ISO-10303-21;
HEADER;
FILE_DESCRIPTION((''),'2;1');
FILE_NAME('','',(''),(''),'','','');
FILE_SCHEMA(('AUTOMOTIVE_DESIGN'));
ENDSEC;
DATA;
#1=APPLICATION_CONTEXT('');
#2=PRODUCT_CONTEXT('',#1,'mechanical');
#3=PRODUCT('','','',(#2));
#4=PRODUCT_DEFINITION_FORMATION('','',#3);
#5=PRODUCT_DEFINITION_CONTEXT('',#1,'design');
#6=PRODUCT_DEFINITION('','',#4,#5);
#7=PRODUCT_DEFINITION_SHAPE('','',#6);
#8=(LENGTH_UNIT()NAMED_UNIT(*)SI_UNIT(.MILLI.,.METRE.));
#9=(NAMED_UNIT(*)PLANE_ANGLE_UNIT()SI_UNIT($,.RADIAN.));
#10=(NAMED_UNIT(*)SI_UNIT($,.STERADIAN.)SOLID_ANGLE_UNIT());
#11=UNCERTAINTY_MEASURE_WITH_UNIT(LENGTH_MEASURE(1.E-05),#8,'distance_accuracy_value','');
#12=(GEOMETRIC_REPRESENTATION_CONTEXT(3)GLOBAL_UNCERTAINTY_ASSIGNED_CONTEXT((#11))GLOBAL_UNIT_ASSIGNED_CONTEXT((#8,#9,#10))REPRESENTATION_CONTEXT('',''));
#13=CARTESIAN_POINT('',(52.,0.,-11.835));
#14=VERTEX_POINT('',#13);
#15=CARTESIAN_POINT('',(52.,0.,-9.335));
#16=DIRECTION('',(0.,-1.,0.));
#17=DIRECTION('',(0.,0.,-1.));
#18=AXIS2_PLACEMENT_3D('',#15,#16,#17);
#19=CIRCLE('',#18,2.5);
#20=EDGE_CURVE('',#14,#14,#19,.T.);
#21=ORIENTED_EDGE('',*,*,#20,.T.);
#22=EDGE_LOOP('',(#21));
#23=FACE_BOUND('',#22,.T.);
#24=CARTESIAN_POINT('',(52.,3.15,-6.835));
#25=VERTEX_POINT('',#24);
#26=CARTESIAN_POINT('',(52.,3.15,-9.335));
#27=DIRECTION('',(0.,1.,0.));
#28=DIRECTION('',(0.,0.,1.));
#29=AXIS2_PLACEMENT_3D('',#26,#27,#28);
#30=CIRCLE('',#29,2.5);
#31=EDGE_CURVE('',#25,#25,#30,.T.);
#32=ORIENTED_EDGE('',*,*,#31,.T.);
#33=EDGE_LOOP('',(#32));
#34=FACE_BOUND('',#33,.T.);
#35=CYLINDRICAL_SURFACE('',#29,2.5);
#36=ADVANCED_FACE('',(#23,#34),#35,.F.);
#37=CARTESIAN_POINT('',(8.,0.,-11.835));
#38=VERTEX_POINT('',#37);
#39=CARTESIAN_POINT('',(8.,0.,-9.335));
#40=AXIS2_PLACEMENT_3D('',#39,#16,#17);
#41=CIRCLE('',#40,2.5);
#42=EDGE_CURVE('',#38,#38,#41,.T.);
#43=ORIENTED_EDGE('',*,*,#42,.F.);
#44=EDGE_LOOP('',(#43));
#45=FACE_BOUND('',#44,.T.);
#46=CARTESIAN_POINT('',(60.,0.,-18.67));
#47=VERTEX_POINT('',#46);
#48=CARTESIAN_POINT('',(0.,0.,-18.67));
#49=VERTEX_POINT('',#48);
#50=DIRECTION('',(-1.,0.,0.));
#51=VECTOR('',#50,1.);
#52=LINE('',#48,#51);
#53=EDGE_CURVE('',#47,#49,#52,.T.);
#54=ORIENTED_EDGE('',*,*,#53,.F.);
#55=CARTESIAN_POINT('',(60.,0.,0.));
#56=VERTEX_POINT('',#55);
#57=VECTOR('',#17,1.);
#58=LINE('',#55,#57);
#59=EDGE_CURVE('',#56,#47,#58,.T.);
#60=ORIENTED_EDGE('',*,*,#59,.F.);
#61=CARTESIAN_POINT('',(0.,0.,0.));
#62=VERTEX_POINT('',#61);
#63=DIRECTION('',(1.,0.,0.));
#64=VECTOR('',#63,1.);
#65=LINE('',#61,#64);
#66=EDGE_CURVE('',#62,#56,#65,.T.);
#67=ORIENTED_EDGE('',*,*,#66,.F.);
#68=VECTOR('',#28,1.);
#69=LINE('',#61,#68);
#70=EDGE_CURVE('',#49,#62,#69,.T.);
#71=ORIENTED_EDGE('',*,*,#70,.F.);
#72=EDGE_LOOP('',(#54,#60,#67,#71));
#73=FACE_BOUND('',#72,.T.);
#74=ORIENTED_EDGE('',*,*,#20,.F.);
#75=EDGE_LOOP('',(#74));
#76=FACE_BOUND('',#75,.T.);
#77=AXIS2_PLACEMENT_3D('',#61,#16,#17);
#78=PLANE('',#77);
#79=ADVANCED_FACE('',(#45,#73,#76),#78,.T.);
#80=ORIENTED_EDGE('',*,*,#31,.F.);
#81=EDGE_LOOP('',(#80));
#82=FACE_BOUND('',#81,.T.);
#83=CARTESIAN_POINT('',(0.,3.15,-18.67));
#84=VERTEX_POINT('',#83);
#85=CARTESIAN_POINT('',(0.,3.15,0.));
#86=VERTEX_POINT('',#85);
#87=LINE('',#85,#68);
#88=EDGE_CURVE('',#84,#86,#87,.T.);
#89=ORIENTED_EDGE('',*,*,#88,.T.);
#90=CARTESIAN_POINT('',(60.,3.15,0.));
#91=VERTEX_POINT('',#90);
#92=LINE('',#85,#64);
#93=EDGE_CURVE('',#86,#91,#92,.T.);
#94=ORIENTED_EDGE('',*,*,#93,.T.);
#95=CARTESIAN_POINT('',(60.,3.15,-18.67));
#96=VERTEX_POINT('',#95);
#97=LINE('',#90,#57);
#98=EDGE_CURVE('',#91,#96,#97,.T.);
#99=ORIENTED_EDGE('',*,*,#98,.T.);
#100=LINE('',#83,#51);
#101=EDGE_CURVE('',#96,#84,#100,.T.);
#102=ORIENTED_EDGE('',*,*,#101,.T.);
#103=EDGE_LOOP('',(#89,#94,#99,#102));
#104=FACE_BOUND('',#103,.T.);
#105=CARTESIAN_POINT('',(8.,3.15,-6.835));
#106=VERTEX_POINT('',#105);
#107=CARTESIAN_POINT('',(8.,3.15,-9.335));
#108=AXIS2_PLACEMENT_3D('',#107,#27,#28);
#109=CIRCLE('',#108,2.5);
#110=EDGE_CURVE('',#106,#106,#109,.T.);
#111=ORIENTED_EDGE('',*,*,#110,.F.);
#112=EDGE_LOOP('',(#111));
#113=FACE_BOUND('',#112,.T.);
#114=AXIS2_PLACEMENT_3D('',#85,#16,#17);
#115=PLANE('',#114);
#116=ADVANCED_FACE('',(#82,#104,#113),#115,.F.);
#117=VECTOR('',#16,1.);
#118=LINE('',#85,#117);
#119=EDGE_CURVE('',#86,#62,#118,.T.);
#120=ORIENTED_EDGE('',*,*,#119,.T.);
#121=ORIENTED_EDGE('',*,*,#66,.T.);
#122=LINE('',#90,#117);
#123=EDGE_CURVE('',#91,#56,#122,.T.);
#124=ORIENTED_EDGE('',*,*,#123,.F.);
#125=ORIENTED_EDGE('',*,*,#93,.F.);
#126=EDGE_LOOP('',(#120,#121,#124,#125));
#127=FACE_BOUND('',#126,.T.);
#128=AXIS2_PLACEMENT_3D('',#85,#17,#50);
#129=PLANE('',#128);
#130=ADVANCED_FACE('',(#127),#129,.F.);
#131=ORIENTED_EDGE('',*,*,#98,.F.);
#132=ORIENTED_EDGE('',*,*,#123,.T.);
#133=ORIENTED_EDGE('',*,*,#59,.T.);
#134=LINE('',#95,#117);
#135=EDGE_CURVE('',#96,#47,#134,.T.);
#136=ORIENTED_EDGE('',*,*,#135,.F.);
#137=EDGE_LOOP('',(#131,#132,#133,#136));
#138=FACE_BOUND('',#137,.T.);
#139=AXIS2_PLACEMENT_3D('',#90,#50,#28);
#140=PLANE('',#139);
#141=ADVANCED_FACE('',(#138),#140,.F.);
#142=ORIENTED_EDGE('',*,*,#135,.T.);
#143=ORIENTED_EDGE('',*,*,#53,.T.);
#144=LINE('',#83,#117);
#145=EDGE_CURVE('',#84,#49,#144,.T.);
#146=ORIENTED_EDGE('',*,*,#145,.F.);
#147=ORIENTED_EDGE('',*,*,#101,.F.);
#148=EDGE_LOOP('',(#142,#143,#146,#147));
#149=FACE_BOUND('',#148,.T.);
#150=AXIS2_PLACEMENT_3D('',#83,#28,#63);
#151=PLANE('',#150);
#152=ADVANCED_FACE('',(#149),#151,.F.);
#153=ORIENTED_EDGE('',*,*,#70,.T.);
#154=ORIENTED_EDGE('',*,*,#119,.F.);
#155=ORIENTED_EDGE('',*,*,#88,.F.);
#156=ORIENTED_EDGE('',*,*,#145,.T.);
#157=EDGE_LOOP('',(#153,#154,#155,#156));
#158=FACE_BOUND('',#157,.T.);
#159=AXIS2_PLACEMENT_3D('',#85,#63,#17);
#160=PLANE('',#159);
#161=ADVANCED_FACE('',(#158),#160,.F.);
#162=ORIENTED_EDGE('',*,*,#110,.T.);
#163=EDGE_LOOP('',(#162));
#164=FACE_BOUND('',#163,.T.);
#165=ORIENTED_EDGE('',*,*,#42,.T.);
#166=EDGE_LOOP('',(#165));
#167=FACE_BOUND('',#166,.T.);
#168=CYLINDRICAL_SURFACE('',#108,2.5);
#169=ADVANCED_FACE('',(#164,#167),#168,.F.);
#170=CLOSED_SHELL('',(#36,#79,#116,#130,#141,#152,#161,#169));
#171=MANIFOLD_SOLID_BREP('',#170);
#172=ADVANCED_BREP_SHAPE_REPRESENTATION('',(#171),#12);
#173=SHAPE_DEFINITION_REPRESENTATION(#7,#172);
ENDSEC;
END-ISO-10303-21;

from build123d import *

# Parameters (mm, degrees)
SKETCH1_W                 = 60
SKETCH1_H                 = 18.67
BOSS_EXTRUDE1_DEPTH       = 3.15
F_5_0MM_DOWEL_HOLE1_D     = 5
F_5_0MM_DOWEL_HOLE1_DEPTH = 3.15


with BuildPart() as part:
    # Sketch1 → Boss-Extrude1 (new body)
    with BuildSketch(Plane(origin=(0, 0, 0), x_dir=(1, 0, 0), z_dir=(0, 1, 0))):
        with Locations((30, 9.335)):
            Rectangle(SKETCH1_W, SKETCH1_H)
    extrude(amount=BOSS_EXTRUDE1_DEPTH)

    # Ø5.0mm Dowel Hole1
    with Locations(Plane(origin=(0, 3.15, 0), x_dir=(1, 0, 0), z_dir=(0, 1, 0))):
        with Locations((8, 9.335), (52, 9.335)):
            Hole(F_5_0MM_DOWEL_HOLE1_D / 2, depth=F_5_0MM_DOWEL_HOLE1_DEPTH)


solid = part.part
